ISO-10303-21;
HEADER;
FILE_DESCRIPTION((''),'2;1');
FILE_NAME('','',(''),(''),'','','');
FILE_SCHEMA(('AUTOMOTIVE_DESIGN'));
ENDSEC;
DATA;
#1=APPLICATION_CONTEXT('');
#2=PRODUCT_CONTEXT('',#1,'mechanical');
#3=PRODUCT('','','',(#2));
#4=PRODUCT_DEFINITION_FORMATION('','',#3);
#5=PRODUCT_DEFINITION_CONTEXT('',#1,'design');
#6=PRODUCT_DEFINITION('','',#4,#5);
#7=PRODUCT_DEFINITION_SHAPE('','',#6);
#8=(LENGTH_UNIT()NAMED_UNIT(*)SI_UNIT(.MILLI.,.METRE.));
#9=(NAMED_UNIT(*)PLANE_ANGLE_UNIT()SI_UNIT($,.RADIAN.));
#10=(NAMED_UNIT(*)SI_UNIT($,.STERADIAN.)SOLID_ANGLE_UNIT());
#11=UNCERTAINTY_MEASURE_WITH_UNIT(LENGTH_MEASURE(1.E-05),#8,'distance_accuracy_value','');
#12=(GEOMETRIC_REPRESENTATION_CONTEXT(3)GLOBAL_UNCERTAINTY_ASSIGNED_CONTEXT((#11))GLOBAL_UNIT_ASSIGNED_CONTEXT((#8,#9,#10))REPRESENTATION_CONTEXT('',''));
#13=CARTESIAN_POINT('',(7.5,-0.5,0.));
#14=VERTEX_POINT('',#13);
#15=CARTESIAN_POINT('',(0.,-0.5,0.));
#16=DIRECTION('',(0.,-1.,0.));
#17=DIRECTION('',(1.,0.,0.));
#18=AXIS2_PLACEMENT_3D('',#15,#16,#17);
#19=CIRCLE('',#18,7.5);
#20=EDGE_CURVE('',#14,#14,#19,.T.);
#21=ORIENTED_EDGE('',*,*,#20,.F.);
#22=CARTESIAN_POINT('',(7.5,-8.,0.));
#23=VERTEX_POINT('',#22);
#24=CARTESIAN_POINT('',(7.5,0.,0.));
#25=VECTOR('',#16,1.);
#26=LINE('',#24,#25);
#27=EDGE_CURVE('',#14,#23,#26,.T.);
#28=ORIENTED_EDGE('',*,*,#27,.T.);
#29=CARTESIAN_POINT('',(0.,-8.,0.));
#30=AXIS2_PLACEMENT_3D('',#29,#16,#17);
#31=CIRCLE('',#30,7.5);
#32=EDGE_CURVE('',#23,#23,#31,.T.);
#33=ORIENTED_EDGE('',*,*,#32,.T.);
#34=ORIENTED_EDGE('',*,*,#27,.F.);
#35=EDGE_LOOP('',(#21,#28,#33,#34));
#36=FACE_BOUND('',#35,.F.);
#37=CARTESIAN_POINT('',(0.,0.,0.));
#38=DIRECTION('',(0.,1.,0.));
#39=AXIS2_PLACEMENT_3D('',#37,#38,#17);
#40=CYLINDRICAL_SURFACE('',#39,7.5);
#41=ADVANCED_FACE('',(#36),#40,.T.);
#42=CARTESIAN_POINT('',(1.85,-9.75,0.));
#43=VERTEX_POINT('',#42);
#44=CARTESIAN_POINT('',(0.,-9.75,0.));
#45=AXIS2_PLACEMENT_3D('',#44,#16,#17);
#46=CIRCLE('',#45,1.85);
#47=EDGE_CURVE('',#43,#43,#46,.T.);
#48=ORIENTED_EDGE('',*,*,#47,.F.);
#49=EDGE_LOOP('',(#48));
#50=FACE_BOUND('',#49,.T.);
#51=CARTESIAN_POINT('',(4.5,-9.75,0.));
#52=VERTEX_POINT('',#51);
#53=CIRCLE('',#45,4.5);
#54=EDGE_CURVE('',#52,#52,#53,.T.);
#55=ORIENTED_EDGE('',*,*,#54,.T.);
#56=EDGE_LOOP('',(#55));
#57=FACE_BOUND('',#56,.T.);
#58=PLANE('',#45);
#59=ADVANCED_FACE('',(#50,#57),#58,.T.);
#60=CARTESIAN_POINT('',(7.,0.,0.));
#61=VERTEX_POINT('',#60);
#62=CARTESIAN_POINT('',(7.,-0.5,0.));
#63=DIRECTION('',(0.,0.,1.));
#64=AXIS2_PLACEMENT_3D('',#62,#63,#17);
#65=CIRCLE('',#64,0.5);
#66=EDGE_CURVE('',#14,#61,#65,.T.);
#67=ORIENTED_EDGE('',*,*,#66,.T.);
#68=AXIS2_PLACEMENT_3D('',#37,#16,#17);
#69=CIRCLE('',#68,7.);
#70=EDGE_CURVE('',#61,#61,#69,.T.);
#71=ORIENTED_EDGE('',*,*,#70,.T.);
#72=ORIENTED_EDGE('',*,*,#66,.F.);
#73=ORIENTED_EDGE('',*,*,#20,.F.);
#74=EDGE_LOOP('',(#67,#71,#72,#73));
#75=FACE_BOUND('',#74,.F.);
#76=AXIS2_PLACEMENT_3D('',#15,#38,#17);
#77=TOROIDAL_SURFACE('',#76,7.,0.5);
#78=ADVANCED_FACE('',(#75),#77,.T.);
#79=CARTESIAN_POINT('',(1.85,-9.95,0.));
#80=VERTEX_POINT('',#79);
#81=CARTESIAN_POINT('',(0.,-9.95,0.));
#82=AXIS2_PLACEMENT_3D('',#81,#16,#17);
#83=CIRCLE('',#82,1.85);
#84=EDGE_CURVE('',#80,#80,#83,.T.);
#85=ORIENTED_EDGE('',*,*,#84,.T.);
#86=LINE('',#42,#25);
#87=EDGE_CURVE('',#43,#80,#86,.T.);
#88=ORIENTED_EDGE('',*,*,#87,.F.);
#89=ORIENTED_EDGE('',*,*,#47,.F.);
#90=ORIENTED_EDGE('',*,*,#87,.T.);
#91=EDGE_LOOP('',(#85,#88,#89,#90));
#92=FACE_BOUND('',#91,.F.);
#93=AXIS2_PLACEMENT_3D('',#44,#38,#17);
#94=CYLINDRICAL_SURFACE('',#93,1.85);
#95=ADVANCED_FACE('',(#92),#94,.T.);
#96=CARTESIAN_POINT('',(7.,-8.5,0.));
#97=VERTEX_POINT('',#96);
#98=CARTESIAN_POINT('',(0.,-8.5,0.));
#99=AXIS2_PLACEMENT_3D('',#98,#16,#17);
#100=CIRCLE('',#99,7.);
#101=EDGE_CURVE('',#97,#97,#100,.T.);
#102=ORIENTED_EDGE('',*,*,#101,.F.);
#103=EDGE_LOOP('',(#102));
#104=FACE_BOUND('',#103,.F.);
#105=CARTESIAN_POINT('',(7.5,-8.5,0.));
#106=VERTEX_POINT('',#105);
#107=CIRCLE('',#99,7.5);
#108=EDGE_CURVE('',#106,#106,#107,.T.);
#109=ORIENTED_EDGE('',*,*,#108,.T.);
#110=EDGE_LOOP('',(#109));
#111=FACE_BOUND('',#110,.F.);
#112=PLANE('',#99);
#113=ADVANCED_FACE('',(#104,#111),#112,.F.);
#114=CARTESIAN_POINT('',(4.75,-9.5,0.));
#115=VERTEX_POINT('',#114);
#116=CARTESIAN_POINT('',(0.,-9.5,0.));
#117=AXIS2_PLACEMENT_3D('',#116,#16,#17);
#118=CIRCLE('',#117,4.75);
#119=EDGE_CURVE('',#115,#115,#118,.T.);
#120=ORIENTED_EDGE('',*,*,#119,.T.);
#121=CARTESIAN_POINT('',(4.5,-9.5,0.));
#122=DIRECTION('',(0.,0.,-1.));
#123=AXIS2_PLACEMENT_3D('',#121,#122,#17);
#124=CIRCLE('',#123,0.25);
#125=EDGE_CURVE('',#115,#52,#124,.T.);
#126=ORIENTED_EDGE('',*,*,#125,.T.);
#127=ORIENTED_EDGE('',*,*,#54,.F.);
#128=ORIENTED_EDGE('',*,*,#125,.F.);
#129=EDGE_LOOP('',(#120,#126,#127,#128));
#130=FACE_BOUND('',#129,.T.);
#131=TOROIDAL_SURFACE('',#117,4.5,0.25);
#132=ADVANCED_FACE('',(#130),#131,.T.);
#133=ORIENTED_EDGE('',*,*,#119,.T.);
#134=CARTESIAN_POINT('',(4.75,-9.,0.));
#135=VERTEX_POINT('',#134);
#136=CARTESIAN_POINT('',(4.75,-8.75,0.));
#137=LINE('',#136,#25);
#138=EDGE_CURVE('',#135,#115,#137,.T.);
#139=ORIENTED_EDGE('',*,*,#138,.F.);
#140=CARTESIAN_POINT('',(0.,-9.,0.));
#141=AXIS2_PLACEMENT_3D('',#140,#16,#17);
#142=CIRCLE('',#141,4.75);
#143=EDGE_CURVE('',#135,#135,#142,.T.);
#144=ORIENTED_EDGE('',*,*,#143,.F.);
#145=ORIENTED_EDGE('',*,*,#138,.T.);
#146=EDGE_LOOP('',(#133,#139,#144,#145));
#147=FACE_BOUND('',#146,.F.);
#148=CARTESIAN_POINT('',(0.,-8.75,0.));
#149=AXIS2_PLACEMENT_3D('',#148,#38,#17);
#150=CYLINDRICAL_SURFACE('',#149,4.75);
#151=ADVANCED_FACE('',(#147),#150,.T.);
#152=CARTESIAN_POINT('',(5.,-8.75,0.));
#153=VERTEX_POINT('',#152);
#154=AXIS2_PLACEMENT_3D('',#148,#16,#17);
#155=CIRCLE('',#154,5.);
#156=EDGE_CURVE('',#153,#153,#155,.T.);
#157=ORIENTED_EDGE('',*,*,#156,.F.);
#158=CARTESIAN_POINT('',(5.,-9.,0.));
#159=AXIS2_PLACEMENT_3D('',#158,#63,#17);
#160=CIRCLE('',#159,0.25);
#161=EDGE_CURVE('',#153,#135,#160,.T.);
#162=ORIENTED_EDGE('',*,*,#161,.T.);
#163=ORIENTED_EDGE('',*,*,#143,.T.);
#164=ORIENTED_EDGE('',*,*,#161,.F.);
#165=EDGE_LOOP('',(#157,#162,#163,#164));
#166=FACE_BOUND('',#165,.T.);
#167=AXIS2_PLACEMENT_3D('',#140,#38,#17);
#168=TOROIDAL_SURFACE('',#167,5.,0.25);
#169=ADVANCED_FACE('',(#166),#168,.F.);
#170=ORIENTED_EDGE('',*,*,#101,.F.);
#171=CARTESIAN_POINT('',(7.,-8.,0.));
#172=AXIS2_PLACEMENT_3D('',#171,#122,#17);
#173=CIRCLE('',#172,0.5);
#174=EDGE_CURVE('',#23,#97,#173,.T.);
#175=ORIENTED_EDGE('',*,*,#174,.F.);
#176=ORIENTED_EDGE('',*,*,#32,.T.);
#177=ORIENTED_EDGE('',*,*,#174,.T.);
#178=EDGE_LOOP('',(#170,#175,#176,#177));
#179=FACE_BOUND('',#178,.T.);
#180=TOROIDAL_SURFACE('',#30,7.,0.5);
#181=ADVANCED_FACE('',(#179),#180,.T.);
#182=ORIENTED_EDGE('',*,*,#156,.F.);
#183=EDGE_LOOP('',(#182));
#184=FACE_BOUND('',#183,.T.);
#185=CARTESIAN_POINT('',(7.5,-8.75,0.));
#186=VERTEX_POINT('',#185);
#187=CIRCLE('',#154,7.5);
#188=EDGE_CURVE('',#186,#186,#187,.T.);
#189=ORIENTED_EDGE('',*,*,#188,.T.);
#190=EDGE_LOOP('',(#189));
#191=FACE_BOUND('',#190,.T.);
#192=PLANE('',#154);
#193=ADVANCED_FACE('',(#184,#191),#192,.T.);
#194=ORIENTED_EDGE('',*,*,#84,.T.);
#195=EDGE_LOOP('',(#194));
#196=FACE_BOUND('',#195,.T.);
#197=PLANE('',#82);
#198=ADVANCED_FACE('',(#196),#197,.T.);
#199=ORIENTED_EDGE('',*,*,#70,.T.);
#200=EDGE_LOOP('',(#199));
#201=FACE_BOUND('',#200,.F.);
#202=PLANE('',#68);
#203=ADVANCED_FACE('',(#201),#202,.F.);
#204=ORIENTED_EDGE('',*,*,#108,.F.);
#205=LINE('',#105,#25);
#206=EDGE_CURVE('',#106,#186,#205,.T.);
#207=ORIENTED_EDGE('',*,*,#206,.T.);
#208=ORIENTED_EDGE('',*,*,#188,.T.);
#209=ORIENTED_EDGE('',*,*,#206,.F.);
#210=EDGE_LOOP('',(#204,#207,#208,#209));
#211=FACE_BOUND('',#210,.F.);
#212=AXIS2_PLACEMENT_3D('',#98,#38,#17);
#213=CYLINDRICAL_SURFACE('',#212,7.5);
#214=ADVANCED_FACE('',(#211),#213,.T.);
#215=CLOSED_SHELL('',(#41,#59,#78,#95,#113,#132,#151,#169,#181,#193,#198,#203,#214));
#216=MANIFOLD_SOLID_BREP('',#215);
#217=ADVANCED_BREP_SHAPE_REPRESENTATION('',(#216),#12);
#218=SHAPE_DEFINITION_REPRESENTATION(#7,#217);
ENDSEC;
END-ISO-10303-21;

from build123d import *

# Parameters (mm, degrees)
F0_R     = 7.5
F1_DEPTH = 8.5
F2_R     = 0.5
F3_R     = 7.5
F4_DEPTH = 0.25
F5_R     = 4.75
F6_DEPTH = 1
F7_R     = 1.85
F8_DEPTH = 0.2
F9_R     = 0.25


with BuildPart() as f1:
    # F0 (on Front) → F1 (new body)
    with BuildSketch(Plane.XZ):
        Circle(F0_R)
    extrude(amount=F1_DEPTH)

    # F2
    f2_edges = [f1.edges().sort_by_distance(p)[0] for p in [
        (-7.5, -8.5, 0),
        (-7.5, 0, 0),
    ]]
    fillet(f2_edges, radius=F2_R)

    # F3 (on face) → F4 (join)
    with BuildSketch(Plane.XZ.offset(8.5)):
        Circle(F3_R)
    extrude(amount=F4_DEPTH)

    # F5 (on face) → F6 (join)
    with BuildSketch(Plane.XZ.offset(8.75)):
        Circle(F5_R)
    extrude(amount=F6_DEPTH)

    # F7 (on face) → F8 (join)
    with BuildSketch(Plane.XZ.offset(9.75)):
        Circle(F7_R)
    extrude(amount=F8_DEPTH)

    # F9
    f9_edges = [f1.edges().sort_by_distance(p)[0] for p in [
        (-4.75, -8.75, 0),
        (-4.75, -9.75, 0),
    ]]
    fillet(f9_edges, radius=F9_R)


solid = f1.part
